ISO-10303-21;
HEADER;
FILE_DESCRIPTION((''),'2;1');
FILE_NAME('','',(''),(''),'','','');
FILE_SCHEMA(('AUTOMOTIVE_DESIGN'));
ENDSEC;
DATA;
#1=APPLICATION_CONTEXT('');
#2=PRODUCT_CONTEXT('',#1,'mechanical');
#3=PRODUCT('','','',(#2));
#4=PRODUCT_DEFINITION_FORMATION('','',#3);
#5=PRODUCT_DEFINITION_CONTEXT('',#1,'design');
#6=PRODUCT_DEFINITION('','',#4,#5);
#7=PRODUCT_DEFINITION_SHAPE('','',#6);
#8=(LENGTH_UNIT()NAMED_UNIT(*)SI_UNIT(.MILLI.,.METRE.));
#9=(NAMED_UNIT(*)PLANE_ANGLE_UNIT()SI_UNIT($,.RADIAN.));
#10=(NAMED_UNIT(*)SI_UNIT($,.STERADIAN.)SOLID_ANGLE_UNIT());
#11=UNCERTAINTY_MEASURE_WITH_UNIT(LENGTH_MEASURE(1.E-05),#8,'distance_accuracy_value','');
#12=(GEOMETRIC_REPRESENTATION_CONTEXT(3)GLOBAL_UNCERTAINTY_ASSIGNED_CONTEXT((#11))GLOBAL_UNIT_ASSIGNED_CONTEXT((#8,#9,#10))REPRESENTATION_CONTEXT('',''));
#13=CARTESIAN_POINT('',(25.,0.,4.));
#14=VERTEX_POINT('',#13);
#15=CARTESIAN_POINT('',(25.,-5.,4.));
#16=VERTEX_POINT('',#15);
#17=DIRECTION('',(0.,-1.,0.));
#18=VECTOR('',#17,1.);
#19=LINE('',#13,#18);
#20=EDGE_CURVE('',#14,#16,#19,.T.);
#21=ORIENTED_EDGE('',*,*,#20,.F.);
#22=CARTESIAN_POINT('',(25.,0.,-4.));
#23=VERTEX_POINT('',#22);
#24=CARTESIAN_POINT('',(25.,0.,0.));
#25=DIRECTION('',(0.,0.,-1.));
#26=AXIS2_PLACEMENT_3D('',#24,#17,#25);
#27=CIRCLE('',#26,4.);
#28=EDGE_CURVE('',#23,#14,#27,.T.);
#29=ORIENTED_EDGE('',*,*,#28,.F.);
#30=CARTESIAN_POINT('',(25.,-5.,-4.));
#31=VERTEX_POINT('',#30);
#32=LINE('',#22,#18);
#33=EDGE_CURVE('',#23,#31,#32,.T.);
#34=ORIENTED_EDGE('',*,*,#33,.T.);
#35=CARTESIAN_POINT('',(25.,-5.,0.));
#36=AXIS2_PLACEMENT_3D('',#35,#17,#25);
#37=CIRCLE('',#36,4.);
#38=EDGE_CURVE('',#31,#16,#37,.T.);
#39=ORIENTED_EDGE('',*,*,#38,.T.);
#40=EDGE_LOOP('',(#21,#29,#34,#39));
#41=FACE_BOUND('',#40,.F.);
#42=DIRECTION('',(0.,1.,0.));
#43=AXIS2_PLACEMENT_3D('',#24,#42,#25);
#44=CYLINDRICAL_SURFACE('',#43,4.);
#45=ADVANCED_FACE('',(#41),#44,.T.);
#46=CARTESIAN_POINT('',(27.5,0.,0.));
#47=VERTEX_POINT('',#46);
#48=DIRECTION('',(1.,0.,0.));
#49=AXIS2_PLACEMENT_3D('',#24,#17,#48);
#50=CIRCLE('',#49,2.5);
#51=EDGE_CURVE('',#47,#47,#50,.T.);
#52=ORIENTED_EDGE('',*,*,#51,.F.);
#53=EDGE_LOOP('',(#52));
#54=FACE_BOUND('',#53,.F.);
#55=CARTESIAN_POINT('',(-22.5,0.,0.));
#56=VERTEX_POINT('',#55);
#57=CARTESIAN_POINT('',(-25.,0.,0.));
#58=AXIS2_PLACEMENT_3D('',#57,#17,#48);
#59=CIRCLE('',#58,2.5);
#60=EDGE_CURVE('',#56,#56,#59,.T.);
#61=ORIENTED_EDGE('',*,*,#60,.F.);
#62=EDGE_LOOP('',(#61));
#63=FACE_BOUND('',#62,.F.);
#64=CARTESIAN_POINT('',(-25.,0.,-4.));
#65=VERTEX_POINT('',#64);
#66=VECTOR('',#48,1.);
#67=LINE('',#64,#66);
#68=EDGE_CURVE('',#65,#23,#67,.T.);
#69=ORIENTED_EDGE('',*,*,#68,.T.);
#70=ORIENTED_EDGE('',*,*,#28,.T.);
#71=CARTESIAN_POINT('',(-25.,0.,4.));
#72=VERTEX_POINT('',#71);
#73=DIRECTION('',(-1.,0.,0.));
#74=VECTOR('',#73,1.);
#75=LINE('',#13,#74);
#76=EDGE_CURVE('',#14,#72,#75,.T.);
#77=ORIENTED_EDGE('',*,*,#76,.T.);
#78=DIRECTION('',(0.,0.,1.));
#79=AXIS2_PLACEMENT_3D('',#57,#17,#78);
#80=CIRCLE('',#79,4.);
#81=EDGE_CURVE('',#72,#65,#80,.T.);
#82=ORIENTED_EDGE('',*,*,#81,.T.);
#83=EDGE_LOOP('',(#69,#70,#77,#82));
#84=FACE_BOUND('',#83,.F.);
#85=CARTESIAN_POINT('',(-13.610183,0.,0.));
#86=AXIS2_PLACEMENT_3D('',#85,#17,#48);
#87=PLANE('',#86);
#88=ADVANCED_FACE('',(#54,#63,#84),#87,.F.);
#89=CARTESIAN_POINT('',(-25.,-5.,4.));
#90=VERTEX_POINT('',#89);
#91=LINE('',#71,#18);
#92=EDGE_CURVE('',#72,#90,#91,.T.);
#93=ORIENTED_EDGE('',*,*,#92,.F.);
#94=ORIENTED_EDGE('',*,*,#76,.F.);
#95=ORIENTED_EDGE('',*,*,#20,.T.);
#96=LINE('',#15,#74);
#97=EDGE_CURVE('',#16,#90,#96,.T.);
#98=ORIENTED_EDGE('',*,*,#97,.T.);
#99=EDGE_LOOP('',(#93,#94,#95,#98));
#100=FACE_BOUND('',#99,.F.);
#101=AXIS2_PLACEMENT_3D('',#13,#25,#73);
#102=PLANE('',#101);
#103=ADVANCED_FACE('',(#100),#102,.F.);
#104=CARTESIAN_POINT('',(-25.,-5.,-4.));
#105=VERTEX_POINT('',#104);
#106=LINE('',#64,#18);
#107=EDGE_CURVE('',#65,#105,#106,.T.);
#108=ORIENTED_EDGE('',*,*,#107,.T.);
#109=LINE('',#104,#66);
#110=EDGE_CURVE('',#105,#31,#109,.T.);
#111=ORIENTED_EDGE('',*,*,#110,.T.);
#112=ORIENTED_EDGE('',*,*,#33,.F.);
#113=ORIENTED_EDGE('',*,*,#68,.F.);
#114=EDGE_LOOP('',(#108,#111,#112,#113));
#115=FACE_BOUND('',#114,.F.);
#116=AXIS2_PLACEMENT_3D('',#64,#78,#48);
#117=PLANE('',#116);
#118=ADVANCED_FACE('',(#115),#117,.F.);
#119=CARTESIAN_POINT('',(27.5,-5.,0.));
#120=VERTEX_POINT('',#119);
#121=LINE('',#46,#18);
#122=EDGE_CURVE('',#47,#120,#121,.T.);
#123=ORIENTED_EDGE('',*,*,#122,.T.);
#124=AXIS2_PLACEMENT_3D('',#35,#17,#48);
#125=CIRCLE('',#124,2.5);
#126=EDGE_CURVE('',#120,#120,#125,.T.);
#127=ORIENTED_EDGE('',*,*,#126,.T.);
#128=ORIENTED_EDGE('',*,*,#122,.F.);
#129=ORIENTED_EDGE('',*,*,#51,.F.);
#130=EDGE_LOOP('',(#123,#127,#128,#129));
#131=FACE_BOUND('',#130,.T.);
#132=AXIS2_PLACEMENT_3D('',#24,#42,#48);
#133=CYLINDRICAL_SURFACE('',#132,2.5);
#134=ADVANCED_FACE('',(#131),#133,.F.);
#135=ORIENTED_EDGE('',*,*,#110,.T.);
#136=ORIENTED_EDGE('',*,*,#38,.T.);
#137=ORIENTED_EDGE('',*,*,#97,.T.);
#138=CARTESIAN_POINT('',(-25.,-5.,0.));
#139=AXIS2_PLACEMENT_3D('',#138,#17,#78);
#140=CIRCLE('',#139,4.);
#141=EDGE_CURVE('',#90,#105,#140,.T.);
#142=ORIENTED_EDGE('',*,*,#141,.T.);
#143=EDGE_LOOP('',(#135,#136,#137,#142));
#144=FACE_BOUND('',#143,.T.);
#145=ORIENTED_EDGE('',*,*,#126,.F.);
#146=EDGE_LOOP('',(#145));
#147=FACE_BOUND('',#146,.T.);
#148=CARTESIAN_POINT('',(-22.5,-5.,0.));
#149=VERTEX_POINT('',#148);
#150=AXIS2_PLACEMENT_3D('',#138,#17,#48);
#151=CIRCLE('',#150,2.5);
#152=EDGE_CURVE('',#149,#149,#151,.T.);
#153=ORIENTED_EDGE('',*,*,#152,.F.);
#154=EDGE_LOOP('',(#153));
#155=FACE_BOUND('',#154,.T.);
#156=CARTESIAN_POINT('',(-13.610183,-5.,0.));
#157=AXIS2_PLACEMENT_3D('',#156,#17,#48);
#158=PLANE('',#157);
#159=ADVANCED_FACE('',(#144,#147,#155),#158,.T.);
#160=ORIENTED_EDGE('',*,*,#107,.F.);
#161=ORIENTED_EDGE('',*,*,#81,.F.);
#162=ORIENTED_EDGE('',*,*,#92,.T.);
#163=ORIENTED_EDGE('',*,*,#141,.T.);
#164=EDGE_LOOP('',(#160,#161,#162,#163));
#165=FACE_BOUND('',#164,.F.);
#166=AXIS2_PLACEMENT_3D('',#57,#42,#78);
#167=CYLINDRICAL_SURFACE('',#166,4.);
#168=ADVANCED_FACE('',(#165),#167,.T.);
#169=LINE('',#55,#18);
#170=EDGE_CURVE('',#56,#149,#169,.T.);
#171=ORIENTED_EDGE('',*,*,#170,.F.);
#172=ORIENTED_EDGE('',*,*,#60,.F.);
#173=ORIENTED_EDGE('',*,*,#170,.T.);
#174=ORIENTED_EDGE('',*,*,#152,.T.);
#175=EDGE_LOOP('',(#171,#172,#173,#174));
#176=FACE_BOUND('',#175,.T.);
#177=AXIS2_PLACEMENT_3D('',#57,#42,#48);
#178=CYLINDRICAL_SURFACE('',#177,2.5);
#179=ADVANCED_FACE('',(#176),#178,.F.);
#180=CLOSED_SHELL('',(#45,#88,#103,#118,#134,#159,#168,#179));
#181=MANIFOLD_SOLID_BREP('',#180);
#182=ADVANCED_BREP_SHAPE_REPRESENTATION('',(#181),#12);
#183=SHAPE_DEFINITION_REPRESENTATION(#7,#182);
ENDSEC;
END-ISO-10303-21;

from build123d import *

# Parameters (mm, degrees)
F0_R     = 2.5
F1_DEPTH = 5


with BuildPart() as f1:
    # F0 (on Front) → F1 (new body)
    with BuildSketch(Plane.XZ):
        with BuildLine():
            Line((0, 4), (-25, 4))
            ThreePointArc((-25, 4), (-29, 0), (-25, -4))
            Line((-25, -4), (0, -4))
            Line((0, -4), (0, 4))
        make_face()
        with Locations((-25, 0)):
            Circle(F0_R, mode=Mode.SUBTRACT)
        with BuildLine():
            Line((25, 4), (0, 4))
            Line((0, 4), (0, -4))
            Line((0, -4), (25, -4))
            ThreePointArc((25, -4), (29, 0), (25, 4))
        make_face()
        with Locations((25, 0)):
            Circle(F0_R, mode=Mode.SUBTRACT)
    extrude(amount=F1_DEPTH)


solid = f1.part
